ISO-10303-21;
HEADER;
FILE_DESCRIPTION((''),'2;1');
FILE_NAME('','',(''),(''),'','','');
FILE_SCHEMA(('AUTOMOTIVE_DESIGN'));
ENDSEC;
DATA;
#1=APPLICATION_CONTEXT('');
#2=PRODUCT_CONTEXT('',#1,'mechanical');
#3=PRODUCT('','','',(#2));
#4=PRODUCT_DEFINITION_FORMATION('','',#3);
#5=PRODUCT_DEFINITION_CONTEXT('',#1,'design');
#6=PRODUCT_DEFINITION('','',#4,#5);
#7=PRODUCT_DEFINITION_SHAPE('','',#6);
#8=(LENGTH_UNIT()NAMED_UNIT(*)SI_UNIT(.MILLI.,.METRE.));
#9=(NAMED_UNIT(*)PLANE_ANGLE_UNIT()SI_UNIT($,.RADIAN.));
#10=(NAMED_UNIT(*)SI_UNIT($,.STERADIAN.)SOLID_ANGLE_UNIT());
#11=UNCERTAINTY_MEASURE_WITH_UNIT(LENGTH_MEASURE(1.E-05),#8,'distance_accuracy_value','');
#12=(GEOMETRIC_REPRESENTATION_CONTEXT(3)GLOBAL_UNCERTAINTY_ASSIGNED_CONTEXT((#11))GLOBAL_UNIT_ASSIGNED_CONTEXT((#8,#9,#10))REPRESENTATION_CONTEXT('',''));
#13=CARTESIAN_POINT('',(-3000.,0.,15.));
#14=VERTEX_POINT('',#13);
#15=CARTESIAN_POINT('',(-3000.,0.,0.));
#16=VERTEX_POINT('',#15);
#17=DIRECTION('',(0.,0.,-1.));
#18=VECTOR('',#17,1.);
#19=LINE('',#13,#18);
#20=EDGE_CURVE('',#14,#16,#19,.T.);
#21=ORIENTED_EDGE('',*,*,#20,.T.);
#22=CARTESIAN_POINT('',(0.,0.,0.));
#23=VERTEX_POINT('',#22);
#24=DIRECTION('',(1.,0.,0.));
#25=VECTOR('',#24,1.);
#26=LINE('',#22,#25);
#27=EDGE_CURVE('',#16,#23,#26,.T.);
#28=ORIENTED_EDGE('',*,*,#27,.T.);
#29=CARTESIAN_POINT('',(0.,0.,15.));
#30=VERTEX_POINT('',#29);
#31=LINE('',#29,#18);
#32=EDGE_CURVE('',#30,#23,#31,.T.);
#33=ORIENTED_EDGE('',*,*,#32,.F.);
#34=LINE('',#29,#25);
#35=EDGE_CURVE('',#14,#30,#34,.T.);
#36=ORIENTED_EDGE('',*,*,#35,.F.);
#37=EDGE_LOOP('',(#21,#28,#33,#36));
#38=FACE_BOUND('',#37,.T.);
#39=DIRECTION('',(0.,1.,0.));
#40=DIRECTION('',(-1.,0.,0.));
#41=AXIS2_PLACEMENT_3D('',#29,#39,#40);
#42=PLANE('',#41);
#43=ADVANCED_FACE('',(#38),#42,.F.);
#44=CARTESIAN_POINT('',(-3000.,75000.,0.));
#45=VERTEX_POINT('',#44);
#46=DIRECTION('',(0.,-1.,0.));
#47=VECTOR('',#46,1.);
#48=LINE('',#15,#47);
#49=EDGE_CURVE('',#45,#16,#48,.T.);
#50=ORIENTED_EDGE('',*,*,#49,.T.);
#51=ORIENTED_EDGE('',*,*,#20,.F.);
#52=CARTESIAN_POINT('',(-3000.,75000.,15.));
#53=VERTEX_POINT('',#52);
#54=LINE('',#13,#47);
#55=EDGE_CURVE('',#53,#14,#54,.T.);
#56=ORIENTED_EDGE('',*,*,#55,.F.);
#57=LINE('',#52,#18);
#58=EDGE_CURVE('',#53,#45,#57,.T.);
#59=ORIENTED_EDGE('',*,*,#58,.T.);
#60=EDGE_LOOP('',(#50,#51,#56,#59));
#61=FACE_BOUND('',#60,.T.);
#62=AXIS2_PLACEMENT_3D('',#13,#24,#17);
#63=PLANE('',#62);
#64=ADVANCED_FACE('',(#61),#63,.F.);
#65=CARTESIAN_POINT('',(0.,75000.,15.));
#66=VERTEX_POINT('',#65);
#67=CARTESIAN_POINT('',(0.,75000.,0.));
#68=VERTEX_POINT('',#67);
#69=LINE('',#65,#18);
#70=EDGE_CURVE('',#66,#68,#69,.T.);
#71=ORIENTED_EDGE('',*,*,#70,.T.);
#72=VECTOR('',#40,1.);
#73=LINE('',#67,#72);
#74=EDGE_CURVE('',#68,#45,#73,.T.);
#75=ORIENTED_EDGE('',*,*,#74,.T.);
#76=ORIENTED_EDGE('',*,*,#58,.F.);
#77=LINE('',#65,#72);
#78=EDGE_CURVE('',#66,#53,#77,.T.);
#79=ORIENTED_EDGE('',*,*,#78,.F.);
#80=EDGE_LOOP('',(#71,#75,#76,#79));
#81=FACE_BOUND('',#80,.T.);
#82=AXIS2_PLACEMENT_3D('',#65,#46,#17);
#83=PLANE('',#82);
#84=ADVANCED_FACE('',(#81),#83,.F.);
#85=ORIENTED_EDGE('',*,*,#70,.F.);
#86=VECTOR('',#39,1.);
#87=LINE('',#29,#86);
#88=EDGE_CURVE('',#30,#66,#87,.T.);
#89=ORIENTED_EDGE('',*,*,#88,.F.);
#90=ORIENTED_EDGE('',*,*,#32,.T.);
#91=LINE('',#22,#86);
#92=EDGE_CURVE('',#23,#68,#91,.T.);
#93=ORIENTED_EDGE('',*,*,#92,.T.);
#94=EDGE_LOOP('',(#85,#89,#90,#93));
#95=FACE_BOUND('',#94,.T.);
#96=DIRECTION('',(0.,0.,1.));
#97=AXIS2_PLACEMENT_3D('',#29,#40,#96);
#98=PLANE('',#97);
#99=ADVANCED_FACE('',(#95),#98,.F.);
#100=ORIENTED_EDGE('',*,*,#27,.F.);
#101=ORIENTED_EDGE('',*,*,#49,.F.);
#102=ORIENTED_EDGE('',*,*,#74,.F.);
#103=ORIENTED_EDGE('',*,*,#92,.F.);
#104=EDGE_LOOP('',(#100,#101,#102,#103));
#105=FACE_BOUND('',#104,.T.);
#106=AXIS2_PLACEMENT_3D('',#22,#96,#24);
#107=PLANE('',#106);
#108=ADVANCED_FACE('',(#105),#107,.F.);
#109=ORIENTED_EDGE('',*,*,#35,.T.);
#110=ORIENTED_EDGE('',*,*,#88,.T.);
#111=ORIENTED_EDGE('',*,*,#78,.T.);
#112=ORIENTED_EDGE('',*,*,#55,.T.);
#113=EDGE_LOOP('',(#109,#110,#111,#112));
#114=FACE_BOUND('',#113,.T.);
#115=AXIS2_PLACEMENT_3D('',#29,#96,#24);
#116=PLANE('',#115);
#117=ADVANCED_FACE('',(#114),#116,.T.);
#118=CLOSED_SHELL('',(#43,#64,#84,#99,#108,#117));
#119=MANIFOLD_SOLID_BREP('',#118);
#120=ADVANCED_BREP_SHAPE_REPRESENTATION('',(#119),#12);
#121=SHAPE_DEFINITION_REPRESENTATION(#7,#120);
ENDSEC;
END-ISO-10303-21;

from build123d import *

# Parameters (mm, degrees)
SCHIZZO1_W                   = 3000
SCHIZZO1_H                   = 75000
ESTRUSIONE_ESTRUSIONE1_DEPTH = 15


with BuildPart() as part:
    # Schizzo1 → Estrusione-Estrusione1 (new body)
    with BuildSketch(Plane.XY):
        with Locations((-1500, 37500)):
            Rectangle(SCHIZZO1_W, SCHIZZO1_H)
    extrude(amount=ESTRUSIONE_ESTRUSIONE1_DEPTH)


solid = part.part
